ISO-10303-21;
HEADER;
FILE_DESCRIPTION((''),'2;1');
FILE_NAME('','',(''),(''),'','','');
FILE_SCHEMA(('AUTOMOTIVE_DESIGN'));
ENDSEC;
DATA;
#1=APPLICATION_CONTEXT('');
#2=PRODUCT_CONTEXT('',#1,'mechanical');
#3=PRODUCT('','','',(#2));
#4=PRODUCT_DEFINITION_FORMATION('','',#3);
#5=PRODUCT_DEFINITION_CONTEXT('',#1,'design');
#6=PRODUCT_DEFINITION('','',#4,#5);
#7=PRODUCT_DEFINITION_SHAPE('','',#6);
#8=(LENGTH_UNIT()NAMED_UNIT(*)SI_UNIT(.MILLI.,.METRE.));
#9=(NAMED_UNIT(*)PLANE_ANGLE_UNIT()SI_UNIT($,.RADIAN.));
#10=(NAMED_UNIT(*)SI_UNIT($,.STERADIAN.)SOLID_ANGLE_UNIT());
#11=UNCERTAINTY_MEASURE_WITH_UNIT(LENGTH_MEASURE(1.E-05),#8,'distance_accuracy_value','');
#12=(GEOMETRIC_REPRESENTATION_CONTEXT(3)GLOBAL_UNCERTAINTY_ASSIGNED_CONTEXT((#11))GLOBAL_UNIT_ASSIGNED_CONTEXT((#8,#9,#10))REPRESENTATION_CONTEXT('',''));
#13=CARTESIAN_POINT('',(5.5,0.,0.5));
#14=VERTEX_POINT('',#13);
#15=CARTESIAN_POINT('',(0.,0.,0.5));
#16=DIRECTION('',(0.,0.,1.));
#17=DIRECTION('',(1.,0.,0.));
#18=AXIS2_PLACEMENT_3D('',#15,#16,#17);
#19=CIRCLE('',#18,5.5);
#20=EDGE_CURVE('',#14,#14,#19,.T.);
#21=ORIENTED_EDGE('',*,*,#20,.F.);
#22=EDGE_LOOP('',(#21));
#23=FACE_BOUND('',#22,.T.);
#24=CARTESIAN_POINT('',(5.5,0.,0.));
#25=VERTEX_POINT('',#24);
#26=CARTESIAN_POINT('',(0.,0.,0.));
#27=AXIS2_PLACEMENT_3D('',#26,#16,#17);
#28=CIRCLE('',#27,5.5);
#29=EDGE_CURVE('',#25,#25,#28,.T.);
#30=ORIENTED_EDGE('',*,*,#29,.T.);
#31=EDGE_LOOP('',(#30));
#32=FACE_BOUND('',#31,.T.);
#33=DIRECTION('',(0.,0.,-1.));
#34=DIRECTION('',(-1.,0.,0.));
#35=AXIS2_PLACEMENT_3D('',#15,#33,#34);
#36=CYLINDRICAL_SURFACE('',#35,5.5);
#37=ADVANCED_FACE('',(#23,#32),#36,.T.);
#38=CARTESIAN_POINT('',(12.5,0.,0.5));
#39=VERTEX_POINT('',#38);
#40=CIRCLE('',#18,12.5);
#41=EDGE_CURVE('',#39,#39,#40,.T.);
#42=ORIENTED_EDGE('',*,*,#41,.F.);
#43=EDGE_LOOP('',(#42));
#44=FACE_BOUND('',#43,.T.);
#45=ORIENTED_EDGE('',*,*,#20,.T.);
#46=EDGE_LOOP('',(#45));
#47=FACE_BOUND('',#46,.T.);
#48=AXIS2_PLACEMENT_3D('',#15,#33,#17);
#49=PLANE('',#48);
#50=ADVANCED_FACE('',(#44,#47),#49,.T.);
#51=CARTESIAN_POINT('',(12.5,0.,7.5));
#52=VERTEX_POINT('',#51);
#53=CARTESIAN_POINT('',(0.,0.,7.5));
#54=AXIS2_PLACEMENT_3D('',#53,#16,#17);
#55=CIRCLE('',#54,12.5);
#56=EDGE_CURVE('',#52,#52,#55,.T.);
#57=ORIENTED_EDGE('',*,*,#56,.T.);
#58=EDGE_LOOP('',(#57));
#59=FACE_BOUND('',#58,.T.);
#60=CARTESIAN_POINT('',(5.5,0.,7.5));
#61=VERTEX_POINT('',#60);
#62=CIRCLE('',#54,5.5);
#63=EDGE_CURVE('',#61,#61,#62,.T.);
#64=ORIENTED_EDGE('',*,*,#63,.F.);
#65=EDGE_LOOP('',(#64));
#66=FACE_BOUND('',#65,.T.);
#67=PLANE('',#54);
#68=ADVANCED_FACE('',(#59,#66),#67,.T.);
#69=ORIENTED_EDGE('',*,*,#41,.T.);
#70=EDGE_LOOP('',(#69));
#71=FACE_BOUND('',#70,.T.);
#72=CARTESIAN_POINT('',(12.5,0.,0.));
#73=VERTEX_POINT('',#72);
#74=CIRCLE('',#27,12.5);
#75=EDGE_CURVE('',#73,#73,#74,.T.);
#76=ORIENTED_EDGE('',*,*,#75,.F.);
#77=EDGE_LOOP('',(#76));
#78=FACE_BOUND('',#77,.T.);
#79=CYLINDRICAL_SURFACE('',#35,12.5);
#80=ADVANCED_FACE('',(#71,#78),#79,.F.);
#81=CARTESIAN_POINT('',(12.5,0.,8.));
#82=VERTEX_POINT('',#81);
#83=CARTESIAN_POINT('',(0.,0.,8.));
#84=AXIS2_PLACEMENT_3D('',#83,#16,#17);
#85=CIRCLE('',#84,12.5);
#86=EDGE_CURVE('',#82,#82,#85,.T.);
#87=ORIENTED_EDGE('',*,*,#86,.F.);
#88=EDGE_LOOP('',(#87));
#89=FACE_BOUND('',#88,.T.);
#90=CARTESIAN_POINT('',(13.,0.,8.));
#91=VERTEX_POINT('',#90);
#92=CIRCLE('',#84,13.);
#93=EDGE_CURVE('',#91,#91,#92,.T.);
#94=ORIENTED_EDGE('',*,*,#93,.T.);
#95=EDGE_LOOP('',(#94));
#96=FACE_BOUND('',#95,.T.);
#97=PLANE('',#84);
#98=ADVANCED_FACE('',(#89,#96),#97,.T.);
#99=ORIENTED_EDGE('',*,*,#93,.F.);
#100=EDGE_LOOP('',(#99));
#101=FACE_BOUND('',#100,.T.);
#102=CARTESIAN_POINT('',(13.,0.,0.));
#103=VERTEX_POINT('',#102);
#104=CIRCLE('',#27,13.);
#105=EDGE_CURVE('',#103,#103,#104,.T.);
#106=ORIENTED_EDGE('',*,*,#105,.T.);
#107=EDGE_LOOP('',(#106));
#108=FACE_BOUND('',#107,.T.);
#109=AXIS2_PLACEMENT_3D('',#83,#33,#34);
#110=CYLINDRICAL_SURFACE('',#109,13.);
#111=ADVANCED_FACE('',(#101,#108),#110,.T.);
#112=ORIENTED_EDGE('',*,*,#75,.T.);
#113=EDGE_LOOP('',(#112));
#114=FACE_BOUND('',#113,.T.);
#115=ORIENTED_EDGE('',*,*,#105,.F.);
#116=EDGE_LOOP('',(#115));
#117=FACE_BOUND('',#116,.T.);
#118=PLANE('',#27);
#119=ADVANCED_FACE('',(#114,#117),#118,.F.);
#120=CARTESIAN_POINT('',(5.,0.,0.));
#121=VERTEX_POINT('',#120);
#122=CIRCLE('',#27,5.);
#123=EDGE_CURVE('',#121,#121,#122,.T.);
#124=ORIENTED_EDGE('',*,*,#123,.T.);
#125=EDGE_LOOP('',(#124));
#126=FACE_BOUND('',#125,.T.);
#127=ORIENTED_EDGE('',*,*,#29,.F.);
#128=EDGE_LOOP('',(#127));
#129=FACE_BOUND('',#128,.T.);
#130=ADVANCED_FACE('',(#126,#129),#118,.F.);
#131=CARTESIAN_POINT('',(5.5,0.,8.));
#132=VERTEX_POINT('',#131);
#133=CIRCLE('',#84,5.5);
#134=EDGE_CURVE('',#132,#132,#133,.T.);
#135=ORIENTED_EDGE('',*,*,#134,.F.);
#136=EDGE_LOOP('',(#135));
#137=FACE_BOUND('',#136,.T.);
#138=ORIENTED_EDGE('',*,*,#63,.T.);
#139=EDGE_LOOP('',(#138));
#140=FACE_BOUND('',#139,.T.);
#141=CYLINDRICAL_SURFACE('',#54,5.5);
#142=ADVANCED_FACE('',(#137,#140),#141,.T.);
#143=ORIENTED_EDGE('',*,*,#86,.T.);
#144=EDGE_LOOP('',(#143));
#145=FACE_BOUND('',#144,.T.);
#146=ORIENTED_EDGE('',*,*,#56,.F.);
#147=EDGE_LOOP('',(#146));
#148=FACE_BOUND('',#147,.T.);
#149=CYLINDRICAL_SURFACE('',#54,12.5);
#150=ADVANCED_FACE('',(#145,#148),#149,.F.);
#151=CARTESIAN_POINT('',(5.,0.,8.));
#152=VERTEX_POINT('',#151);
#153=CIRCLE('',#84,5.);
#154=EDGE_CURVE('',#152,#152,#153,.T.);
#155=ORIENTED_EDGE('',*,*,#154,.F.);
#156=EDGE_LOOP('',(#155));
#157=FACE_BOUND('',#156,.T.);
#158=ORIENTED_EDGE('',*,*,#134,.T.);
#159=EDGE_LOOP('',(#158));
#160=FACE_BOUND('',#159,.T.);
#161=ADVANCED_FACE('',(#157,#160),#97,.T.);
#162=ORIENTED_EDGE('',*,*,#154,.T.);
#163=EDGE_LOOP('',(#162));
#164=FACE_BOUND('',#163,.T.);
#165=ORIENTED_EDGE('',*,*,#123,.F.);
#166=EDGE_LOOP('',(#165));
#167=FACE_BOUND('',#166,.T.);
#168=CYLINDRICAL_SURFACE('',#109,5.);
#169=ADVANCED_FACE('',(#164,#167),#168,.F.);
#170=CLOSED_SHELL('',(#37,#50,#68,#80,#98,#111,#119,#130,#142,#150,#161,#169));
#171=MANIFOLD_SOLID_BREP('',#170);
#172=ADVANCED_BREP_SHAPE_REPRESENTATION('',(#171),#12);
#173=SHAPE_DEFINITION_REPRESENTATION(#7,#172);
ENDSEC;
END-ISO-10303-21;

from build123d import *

# Parameters (mm, degrees)
SKETCH1_R           = 13
SKETCH1_R_2         = 5
BOSS_EXTRUDE1_DEPTH = 8
SKETCH2_R           = 12.5
SKETCH2_R_2         = 5.5
CUT_EXTRUDE1_DEPTH  = 0.5


with BuildPart() as part:
    # Sketch1 → Boss-Extrude1 (new body)
    with BuildSketch(Plane.XY):
        Circle(SKETCH1_R)
        Circle(SKETCH1_R_2, mode=Mode.SUBTRACT)
    extrude(amount=BOSS_EXTRUDE1_DEPTH)

    # Sketch2 → Cut-Extrude1 (cut)
    with BuildSketch(Plane.XY.offset(8)):
        Circle(SKETCH2_R)
        Circle(SKETCH2_R_2, mode=Mode.SUBTRACT)
    cut_extrude1 = extrude(amount=-CUT_EXTRUDE1_DEPTH, mode=Mode.SUBTRACT)

    # Mirror1: Cut-Extrude1 across plane
    add(cut_extrude1.mirror(Plane(origin=(0, 0, 4), x_dir=(1, 0, 0), z_dir=(0, 0, -1))), mode=Mode.SUBTRACT)


solid = part.part
